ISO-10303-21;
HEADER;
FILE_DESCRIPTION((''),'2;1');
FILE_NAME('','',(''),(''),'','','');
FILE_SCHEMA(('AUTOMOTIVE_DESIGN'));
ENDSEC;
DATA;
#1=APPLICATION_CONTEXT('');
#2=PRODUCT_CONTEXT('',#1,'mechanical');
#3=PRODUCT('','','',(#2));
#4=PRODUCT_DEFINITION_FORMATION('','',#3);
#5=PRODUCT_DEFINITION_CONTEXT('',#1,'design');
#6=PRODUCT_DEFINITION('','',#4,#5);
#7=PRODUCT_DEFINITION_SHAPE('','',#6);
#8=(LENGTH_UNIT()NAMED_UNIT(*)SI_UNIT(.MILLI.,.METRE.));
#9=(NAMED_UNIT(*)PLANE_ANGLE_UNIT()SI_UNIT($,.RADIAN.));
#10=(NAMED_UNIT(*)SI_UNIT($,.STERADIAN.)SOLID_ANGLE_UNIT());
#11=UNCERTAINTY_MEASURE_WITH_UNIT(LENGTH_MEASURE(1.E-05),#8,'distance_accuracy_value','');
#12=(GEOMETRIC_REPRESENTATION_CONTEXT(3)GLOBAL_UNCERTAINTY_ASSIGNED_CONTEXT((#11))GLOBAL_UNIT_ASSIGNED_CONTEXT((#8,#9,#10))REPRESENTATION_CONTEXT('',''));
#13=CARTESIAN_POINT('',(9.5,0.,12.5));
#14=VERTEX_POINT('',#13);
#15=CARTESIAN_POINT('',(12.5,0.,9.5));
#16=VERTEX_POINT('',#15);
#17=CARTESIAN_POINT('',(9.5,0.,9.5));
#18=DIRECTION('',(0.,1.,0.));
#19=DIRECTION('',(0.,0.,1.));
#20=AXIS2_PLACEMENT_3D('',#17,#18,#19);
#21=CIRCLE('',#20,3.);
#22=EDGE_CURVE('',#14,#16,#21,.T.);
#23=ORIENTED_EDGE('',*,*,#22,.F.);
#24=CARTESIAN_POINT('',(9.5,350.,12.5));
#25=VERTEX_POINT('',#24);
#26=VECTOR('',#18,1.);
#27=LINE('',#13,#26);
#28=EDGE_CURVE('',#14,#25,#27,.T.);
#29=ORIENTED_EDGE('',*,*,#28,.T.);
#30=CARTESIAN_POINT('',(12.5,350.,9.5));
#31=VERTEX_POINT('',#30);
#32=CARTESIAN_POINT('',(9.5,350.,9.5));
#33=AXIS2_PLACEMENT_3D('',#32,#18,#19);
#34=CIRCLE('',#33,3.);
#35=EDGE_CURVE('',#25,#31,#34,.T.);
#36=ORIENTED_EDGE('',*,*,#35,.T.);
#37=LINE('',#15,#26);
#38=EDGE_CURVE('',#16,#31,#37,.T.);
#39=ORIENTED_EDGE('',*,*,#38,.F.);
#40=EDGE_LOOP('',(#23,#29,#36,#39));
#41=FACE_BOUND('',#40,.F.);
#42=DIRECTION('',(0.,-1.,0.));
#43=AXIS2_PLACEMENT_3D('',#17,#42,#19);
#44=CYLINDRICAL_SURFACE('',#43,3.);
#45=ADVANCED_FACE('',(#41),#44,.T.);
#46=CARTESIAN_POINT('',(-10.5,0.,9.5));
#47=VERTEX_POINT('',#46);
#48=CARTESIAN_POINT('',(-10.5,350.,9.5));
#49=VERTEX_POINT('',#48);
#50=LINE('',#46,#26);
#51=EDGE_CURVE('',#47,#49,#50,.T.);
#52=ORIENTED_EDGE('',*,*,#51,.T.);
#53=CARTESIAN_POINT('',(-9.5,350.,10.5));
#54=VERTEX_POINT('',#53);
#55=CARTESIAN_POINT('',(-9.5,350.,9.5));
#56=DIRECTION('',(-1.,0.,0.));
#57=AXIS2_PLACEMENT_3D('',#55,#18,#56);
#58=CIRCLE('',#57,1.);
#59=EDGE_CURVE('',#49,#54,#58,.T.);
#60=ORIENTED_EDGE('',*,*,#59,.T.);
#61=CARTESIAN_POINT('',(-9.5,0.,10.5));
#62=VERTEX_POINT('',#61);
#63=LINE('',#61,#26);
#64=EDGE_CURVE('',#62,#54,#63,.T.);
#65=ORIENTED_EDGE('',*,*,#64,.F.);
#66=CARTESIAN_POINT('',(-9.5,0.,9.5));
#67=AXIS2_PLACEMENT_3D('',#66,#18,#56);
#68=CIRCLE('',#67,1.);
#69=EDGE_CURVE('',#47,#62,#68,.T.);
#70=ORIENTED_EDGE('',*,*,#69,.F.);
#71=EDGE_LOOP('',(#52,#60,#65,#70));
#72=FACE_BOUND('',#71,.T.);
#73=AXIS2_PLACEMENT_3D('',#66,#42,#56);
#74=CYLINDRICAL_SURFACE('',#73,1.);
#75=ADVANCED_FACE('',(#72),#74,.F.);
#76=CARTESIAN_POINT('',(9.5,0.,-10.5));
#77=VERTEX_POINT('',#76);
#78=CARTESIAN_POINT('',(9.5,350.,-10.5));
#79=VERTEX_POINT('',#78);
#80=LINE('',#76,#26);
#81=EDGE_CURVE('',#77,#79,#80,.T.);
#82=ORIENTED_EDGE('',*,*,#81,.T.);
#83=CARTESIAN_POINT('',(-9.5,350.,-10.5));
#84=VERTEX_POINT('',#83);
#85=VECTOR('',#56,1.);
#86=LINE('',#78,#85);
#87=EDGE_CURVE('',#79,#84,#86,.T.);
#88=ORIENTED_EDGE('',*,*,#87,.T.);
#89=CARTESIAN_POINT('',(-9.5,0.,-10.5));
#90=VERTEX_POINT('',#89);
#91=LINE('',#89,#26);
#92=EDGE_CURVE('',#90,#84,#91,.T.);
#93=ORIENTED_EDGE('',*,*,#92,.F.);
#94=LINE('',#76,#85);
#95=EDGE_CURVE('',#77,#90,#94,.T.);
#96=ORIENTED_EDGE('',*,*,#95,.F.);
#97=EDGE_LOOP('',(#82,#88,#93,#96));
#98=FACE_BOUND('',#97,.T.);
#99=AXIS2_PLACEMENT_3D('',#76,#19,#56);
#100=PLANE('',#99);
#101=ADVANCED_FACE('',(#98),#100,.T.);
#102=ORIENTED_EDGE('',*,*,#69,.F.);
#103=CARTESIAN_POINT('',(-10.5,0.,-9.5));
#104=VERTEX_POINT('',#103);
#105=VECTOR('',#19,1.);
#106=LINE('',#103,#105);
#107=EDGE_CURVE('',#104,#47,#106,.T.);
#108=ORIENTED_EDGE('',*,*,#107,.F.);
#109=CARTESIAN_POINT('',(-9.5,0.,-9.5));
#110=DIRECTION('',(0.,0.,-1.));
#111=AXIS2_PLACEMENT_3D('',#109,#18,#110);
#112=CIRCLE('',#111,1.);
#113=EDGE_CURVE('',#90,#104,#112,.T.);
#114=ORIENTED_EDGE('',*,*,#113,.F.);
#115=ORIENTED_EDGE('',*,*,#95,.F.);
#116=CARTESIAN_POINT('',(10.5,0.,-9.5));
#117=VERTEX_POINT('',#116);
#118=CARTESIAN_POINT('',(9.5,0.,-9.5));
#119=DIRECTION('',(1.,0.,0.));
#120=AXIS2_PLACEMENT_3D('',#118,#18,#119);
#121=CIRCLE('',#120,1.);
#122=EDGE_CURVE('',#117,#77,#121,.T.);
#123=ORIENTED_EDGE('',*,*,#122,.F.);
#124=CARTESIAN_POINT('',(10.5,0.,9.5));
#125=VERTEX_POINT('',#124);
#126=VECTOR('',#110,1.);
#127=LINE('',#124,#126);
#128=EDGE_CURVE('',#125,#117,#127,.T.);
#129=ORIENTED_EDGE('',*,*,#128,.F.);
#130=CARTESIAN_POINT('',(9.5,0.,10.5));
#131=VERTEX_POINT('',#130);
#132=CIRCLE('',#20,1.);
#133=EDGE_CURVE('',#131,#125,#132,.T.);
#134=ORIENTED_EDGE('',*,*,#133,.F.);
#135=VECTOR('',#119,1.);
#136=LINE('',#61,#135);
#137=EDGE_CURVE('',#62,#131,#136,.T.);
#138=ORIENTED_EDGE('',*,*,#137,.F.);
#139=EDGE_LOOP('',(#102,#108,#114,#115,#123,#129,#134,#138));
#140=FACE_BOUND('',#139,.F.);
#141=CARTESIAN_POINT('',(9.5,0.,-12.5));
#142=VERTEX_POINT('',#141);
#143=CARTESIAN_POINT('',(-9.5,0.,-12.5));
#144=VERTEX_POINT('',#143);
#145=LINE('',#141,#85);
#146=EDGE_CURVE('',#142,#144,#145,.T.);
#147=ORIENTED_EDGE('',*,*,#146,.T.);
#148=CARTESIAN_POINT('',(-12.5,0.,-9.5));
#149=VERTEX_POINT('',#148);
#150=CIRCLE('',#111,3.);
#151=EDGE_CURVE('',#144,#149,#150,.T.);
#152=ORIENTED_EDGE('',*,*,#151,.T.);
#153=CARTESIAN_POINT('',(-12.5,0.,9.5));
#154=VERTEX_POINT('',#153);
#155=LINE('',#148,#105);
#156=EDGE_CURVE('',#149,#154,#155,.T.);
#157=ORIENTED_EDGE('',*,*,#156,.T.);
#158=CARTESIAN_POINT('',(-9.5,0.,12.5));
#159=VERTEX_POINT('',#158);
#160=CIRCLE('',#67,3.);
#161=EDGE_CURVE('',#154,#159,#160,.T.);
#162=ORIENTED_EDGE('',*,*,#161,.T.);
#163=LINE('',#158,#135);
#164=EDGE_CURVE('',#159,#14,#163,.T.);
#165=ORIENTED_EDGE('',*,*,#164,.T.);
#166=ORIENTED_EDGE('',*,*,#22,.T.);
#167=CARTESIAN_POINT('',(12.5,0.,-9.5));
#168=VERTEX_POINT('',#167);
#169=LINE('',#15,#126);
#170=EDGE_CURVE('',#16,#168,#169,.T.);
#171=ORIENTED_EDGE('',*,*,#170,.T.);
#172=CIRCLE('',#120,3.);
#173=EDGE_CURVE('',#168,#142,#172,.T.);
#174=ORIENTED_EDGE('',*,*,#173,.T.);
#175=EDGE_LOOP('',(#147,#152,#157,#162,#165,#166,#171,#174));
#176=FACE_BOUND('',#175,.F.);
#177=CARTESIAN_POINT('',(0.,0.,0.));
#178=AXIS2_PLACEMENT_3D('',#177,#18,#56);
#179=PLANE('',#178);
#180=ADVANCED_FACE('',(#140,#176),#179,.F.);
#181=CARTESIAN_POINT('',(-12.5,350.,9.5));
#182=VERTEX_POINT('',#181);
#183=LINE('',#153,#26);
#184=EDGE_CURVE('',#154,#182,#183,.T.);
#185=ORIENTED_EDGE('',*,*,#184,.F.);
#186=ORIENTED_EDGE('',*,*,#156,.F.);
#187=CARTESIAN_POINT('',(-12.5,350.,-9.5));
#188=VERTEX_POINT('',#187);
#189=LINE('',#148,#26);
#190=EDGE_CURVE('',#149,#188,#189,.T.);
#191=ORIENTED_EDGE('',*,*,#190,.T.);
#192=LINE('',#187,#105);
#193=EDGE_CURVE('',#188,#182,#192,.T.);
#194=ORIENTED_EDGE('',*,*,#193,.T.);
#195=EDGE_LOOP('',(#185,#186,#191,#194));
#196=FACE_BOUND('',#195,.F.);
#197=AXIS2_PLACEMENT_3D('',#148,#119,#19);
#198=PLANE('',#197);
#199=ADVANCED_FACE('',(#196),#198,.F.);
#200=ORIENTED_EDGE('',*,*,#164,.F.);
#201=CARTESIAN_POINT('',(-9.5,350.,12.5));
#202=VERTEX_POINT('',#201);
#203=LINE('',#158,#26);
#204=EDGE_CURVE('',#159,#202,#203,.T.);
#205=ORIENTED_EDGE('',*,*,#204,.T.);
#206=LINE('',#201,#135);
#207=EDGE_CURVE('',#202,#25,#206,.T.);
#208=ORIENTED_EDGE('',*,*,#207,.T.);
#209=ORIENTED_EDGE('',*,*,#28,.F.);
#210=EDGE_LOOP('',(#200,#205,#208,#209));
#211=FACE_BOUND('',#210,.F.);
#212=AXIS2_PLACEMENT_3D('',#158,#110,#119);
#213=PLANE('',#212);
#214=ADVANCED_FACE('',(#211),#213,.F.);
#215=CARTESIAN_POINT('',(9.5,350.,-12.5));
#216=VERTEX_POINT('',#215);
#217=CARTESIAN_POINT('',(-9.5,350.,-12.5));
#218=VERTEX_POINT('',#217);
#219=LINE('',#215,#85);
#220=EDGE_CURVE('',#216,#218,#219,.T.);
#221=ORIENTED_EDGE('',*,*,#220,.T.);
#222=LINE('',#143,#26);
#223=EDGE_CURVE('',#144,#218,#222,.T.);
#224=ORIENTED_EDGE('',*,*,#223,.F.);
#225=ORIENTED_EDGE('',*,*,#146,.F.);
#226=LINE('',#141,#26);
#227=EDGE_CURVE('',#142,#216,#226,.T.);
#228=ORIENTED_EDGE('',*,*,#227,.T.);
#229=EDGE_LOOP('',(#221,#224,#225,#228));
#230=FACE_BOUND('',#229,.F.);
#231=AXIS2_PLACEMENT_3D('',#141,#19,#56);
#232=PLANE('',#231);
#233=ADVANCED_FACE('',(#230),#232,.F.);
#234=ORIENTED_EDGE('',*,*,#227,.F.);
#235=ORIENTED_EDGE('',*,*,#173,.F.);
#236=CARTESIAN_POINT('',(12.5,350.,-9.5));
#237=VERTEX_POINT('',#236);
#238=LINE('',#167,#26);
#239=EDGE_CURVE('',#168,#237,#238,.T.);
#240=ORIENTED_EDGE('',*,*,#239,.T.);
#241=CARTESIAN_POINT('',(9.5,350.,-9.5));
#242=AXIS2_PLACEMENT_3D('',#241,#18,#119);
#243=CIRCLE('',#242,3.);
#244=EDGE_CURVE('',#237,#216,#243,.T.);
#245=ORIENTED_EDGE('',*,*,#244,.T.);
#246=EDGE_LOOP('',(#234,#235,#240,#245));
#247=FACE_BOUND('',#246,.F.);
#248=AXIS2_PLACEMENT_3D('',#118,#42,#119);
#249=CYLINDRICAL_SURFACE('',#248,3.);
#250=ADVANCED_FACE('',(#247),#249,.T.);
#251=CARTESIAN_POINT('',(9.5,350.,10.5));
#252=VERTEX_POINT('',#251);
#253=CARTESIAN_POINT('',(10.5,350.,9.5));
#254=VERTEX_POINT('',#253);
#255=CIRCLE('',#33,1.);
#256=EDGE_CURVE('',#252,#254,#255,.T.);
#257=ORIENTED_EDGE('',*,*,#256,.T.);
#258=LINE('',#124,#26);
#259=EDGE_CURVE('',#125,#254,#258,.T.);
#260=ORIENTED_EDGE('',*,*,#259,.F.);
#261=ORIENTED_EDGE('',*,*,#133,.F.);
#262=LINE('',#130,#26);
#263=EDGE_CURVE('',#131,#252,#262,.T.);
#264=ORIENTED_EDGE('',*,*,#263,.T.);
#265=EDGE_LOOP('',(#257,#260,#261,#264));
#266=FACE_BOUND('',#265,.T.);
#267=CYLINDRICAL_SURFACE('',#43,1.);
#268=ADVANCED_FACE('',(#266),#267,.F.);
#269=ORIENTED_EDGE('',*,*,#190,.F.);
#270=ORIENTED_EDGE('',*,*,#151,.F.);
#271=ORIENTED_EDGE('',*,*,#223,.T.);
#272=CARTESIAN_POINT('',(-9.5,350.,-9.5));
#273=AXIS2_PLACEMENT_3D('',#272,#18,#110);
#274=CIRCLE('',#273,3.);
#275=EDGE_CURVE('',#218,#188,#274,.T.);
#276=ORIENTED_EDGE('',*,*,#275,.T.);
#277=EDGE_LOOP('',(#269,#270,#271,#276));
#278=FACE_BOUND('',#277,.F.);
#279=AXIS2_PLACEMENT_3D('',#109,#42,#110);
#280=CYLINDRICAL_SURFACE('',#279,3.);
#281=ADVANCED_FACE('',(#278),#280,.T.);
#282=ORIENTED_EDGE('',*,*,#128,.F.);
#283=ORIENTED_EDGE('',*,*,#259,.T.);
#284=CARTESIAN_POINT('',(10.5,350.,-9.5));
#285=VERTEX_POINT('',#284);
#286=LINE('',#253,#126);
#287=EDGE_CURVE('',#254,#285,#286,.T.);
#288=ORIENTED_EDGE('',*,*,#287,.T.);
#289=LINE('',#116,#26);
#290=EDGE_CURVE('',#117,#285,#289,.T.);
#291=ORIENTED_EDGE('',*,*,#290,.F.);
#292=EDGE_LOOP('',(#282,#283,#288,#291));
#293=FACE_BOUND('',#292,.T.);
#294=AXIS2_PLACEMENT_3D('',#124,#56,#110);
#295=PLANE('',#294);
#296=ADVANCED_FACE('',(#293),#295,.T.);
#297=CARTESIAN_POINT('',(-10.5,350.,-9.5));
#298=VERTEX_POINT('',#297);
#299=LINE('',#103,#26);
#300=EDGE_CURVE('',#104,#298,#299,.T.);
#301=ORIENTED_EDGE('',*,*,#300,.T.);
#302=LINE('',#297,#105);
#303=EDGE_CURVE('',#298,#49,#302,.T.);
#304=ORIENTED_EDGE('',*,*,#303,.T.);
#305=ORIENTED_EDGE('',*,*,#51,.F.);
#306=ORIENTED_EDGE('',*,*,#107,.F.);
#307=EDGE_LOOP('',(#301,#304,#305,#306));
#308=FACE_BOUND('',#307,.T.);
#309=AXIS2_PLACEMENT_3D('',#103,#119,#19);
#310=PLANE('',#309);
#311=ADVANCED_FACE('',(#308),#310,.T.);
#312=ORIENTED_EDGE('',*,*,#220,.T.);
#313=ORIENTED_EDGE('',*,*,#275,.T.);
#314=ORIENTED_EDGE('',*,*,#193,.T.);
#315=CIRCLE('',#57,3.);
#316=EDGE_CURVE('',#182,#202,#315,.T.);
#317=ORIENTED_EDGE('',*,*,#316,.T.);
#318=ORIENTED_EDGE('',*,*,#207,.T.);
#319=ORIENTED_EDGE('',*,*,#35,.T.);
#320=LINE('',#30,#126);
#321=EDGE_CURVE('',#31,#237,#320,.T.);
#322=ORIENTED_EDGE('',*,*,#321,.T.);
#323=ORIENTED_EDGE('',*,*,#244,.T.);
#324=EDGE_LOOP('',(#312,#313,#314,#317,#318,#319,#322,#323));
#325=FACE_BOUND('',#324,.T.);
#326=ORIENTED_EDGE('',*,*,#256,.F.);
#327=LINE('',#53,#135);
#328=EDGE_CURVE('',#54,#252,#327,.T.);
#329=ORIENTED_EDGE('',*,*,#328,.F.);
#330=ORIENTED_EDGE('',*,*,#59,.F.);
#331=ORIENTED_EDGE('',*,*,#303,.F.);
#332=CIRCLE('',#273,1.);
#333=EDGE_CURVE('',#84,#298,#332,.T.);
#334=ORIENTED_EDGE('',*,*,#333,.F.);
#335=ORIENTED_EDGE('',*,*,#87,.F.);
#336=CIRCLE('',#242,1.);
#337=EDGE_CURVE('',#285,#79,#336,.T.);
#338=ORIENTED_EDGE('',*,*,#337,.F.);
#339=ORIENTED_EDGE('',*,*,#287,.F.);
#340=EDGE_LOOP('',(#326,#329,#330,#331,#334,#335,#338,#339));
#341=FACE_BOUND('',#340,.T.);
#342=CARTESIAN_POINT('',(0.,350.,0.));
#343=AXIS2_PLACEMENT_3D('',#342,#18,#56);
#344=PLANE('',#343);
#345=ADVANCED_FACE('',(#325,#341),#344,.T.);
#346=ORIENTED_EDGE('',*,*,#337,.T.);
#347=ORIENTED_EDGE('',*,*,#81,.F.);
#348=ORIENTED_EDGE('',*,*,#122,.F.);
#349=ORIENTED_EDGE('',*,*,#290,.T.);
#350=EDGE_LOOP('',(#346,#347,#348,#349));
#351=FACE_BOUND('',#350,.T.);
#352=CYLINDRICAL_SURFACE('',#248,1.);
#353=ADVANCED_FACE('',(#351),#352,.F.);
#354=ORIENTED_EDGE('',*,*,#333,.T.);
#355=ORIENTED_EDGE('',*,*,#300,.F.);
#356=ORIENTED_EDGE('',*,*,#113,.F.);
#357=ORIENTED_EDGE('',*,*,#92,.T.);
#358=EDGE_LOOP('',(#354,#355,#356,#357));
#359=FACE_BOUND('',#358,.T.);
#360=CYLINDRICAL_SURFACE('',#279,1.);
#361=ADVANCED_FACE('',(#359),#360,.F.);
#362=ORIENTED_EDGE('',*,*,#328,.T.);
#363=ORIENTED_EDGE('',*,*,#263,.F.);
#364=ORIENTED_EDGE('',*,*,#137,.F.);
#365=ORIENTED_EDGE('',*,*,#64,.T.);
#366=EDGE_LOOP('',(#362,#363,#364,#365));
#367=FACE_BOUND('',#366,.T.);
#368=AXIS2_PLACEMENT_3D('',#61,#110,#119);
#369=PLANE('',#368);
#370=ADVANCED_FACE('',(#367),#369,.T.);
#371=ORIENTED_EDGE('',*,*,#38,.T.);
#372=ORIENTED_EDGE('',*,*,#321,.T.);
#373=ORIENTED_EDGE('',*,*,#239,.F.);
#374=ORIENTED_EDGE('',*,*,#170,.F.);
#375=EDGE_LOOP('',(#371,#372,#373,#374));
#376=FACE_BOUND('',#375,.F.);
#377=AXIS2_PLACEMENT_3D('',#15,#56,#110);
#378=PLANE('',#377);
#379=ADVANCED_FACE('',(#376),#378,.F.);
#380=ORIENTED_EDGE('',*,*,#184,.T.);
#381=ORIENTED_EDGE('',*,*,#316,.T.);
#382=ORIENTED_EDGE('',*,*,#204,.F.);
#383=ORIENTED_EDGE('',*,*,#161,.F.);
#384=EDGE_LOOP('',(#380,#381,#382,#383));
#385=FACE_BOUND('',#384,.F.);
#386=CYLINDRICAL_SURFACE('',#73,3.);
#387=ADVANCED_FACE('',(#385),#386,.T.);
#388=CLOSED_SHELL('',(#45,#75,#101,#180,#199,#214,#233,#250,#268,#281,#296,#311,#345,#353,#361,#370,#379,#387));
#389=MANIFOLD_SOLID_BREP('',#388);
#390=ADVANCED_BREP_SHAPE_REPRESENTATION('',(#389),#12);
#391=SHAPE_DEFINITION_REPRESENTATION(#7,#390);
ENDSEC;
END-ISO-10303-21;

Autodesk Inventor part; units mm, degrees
ref_plane "YZ Plane" through (0, 0, 0) normal (1, 0, 0) x (0, 1, 0)
ref_plane "XZ Plane" through (0, 0, 0) normal (0, 1, 0) x (-1, 0, 0)
ref_plane "XY Plane" through (0, 0, 0) normal (0, 0, 1) x (1, 0, 0)
sketch "Sketch1" plane through (0, 0, 0) normal (0, 1, 0) x (-1, 0, 0)
  line L0 (-9.5, 11.5) -> (9.5, 11.5) construction
  line L1 (11.5, 9.5) -> (11.5, -9.5) construction
  line L2 (9.5, -11.5) -> (-9.5, -11.5) construction
  line L3 (-11.5, -9.5) -> (-11.5, 9.5) construction
  line L4 (-11.5, 11.5) -> (11.5, -11.5) construction
  line L5 (11.5, 11.5) -> (-11.5, -11.5) construction
  arc A0 (11.5, 9.5) -> (9.5, 11.5) centre (9.5, 9.5) ccw construction
  arc A1 (9.5, -11.5) -> (11.5, -9.5) centre (9.5, -9.5) ccw construction
  arc A2 (-11.5, -9.5) -> (-9.5, -11.5) centre (-9.5, -9.5) ccw construction
  arc A3 (-9.5, 11.5) -> (-11.5, 9.5) centre (-9.5, 9.5) ccw construction
  line L6 (-9.5, -12.5) -> (9.5, -12.5)
  arc A4 (9.5, -12.5) -> (12.5, -9.5) centre (9.5, -9.5) ccw
  line L7 (12.5, -9.5) -> (12.5, 9.5)
  arc A5 (12.5, 9.5) -> (9.5, 12.5) centre (9.5, 9.5) ccw
  line L8 (9.5, 12.5) -> (-9.5, 12.5)
  arc A6 (-9.5, 12.5) -> (-12.5, 9.5) centre (-9.5, 9.5) ccw
  line L9 (-12.5, 9.5) -> (-12.5, -9.5)
  arc A7 (-12.5, -9.5) -> (-9.5, -12.5) centre (-9.5, -9.5) ccw
  line L10 (10.5, -9.5) -> (10.5, 9.5)
  arc A8 (10.5, 9.5) -> (9.5, 10.5) centre (9.5, 9.5) ccw
  line L11 (9.5, 10.5) -> (-9.5, 10.5)
  arc A9 (-9.5, 10.5) -> (-10.5, 9.5) centre (-9.5, 9.5) ccw
  line L12 (-10.5, 9.5) -> (-10.5, -9.5)
  arc A10 (-10.5, -9.5) -> (-9.5, -10.5) centre (-9.5, -9.5) ccw
  line L13 (-9.5, -10.5) -> (9.5, -10.5)
  arc A11 (9.5, -10.5) -> (10.5, -9.5) centre (9.5, -9.5) ccw
  point P0 (0, 0)
  point P1 (0, 0)
  point P2 (0, 0)
  dimension "d10" = 2
  dimension "depth" = 25
  dimension "width" = 25
  dimension "thickness" = 2
extrude "Extrusion1" add sketch "Sketch1" along normal blind 350
equation "\"d10\" = thickness"
properties part number "beam 25x25x2 1-2" material "Steel"
